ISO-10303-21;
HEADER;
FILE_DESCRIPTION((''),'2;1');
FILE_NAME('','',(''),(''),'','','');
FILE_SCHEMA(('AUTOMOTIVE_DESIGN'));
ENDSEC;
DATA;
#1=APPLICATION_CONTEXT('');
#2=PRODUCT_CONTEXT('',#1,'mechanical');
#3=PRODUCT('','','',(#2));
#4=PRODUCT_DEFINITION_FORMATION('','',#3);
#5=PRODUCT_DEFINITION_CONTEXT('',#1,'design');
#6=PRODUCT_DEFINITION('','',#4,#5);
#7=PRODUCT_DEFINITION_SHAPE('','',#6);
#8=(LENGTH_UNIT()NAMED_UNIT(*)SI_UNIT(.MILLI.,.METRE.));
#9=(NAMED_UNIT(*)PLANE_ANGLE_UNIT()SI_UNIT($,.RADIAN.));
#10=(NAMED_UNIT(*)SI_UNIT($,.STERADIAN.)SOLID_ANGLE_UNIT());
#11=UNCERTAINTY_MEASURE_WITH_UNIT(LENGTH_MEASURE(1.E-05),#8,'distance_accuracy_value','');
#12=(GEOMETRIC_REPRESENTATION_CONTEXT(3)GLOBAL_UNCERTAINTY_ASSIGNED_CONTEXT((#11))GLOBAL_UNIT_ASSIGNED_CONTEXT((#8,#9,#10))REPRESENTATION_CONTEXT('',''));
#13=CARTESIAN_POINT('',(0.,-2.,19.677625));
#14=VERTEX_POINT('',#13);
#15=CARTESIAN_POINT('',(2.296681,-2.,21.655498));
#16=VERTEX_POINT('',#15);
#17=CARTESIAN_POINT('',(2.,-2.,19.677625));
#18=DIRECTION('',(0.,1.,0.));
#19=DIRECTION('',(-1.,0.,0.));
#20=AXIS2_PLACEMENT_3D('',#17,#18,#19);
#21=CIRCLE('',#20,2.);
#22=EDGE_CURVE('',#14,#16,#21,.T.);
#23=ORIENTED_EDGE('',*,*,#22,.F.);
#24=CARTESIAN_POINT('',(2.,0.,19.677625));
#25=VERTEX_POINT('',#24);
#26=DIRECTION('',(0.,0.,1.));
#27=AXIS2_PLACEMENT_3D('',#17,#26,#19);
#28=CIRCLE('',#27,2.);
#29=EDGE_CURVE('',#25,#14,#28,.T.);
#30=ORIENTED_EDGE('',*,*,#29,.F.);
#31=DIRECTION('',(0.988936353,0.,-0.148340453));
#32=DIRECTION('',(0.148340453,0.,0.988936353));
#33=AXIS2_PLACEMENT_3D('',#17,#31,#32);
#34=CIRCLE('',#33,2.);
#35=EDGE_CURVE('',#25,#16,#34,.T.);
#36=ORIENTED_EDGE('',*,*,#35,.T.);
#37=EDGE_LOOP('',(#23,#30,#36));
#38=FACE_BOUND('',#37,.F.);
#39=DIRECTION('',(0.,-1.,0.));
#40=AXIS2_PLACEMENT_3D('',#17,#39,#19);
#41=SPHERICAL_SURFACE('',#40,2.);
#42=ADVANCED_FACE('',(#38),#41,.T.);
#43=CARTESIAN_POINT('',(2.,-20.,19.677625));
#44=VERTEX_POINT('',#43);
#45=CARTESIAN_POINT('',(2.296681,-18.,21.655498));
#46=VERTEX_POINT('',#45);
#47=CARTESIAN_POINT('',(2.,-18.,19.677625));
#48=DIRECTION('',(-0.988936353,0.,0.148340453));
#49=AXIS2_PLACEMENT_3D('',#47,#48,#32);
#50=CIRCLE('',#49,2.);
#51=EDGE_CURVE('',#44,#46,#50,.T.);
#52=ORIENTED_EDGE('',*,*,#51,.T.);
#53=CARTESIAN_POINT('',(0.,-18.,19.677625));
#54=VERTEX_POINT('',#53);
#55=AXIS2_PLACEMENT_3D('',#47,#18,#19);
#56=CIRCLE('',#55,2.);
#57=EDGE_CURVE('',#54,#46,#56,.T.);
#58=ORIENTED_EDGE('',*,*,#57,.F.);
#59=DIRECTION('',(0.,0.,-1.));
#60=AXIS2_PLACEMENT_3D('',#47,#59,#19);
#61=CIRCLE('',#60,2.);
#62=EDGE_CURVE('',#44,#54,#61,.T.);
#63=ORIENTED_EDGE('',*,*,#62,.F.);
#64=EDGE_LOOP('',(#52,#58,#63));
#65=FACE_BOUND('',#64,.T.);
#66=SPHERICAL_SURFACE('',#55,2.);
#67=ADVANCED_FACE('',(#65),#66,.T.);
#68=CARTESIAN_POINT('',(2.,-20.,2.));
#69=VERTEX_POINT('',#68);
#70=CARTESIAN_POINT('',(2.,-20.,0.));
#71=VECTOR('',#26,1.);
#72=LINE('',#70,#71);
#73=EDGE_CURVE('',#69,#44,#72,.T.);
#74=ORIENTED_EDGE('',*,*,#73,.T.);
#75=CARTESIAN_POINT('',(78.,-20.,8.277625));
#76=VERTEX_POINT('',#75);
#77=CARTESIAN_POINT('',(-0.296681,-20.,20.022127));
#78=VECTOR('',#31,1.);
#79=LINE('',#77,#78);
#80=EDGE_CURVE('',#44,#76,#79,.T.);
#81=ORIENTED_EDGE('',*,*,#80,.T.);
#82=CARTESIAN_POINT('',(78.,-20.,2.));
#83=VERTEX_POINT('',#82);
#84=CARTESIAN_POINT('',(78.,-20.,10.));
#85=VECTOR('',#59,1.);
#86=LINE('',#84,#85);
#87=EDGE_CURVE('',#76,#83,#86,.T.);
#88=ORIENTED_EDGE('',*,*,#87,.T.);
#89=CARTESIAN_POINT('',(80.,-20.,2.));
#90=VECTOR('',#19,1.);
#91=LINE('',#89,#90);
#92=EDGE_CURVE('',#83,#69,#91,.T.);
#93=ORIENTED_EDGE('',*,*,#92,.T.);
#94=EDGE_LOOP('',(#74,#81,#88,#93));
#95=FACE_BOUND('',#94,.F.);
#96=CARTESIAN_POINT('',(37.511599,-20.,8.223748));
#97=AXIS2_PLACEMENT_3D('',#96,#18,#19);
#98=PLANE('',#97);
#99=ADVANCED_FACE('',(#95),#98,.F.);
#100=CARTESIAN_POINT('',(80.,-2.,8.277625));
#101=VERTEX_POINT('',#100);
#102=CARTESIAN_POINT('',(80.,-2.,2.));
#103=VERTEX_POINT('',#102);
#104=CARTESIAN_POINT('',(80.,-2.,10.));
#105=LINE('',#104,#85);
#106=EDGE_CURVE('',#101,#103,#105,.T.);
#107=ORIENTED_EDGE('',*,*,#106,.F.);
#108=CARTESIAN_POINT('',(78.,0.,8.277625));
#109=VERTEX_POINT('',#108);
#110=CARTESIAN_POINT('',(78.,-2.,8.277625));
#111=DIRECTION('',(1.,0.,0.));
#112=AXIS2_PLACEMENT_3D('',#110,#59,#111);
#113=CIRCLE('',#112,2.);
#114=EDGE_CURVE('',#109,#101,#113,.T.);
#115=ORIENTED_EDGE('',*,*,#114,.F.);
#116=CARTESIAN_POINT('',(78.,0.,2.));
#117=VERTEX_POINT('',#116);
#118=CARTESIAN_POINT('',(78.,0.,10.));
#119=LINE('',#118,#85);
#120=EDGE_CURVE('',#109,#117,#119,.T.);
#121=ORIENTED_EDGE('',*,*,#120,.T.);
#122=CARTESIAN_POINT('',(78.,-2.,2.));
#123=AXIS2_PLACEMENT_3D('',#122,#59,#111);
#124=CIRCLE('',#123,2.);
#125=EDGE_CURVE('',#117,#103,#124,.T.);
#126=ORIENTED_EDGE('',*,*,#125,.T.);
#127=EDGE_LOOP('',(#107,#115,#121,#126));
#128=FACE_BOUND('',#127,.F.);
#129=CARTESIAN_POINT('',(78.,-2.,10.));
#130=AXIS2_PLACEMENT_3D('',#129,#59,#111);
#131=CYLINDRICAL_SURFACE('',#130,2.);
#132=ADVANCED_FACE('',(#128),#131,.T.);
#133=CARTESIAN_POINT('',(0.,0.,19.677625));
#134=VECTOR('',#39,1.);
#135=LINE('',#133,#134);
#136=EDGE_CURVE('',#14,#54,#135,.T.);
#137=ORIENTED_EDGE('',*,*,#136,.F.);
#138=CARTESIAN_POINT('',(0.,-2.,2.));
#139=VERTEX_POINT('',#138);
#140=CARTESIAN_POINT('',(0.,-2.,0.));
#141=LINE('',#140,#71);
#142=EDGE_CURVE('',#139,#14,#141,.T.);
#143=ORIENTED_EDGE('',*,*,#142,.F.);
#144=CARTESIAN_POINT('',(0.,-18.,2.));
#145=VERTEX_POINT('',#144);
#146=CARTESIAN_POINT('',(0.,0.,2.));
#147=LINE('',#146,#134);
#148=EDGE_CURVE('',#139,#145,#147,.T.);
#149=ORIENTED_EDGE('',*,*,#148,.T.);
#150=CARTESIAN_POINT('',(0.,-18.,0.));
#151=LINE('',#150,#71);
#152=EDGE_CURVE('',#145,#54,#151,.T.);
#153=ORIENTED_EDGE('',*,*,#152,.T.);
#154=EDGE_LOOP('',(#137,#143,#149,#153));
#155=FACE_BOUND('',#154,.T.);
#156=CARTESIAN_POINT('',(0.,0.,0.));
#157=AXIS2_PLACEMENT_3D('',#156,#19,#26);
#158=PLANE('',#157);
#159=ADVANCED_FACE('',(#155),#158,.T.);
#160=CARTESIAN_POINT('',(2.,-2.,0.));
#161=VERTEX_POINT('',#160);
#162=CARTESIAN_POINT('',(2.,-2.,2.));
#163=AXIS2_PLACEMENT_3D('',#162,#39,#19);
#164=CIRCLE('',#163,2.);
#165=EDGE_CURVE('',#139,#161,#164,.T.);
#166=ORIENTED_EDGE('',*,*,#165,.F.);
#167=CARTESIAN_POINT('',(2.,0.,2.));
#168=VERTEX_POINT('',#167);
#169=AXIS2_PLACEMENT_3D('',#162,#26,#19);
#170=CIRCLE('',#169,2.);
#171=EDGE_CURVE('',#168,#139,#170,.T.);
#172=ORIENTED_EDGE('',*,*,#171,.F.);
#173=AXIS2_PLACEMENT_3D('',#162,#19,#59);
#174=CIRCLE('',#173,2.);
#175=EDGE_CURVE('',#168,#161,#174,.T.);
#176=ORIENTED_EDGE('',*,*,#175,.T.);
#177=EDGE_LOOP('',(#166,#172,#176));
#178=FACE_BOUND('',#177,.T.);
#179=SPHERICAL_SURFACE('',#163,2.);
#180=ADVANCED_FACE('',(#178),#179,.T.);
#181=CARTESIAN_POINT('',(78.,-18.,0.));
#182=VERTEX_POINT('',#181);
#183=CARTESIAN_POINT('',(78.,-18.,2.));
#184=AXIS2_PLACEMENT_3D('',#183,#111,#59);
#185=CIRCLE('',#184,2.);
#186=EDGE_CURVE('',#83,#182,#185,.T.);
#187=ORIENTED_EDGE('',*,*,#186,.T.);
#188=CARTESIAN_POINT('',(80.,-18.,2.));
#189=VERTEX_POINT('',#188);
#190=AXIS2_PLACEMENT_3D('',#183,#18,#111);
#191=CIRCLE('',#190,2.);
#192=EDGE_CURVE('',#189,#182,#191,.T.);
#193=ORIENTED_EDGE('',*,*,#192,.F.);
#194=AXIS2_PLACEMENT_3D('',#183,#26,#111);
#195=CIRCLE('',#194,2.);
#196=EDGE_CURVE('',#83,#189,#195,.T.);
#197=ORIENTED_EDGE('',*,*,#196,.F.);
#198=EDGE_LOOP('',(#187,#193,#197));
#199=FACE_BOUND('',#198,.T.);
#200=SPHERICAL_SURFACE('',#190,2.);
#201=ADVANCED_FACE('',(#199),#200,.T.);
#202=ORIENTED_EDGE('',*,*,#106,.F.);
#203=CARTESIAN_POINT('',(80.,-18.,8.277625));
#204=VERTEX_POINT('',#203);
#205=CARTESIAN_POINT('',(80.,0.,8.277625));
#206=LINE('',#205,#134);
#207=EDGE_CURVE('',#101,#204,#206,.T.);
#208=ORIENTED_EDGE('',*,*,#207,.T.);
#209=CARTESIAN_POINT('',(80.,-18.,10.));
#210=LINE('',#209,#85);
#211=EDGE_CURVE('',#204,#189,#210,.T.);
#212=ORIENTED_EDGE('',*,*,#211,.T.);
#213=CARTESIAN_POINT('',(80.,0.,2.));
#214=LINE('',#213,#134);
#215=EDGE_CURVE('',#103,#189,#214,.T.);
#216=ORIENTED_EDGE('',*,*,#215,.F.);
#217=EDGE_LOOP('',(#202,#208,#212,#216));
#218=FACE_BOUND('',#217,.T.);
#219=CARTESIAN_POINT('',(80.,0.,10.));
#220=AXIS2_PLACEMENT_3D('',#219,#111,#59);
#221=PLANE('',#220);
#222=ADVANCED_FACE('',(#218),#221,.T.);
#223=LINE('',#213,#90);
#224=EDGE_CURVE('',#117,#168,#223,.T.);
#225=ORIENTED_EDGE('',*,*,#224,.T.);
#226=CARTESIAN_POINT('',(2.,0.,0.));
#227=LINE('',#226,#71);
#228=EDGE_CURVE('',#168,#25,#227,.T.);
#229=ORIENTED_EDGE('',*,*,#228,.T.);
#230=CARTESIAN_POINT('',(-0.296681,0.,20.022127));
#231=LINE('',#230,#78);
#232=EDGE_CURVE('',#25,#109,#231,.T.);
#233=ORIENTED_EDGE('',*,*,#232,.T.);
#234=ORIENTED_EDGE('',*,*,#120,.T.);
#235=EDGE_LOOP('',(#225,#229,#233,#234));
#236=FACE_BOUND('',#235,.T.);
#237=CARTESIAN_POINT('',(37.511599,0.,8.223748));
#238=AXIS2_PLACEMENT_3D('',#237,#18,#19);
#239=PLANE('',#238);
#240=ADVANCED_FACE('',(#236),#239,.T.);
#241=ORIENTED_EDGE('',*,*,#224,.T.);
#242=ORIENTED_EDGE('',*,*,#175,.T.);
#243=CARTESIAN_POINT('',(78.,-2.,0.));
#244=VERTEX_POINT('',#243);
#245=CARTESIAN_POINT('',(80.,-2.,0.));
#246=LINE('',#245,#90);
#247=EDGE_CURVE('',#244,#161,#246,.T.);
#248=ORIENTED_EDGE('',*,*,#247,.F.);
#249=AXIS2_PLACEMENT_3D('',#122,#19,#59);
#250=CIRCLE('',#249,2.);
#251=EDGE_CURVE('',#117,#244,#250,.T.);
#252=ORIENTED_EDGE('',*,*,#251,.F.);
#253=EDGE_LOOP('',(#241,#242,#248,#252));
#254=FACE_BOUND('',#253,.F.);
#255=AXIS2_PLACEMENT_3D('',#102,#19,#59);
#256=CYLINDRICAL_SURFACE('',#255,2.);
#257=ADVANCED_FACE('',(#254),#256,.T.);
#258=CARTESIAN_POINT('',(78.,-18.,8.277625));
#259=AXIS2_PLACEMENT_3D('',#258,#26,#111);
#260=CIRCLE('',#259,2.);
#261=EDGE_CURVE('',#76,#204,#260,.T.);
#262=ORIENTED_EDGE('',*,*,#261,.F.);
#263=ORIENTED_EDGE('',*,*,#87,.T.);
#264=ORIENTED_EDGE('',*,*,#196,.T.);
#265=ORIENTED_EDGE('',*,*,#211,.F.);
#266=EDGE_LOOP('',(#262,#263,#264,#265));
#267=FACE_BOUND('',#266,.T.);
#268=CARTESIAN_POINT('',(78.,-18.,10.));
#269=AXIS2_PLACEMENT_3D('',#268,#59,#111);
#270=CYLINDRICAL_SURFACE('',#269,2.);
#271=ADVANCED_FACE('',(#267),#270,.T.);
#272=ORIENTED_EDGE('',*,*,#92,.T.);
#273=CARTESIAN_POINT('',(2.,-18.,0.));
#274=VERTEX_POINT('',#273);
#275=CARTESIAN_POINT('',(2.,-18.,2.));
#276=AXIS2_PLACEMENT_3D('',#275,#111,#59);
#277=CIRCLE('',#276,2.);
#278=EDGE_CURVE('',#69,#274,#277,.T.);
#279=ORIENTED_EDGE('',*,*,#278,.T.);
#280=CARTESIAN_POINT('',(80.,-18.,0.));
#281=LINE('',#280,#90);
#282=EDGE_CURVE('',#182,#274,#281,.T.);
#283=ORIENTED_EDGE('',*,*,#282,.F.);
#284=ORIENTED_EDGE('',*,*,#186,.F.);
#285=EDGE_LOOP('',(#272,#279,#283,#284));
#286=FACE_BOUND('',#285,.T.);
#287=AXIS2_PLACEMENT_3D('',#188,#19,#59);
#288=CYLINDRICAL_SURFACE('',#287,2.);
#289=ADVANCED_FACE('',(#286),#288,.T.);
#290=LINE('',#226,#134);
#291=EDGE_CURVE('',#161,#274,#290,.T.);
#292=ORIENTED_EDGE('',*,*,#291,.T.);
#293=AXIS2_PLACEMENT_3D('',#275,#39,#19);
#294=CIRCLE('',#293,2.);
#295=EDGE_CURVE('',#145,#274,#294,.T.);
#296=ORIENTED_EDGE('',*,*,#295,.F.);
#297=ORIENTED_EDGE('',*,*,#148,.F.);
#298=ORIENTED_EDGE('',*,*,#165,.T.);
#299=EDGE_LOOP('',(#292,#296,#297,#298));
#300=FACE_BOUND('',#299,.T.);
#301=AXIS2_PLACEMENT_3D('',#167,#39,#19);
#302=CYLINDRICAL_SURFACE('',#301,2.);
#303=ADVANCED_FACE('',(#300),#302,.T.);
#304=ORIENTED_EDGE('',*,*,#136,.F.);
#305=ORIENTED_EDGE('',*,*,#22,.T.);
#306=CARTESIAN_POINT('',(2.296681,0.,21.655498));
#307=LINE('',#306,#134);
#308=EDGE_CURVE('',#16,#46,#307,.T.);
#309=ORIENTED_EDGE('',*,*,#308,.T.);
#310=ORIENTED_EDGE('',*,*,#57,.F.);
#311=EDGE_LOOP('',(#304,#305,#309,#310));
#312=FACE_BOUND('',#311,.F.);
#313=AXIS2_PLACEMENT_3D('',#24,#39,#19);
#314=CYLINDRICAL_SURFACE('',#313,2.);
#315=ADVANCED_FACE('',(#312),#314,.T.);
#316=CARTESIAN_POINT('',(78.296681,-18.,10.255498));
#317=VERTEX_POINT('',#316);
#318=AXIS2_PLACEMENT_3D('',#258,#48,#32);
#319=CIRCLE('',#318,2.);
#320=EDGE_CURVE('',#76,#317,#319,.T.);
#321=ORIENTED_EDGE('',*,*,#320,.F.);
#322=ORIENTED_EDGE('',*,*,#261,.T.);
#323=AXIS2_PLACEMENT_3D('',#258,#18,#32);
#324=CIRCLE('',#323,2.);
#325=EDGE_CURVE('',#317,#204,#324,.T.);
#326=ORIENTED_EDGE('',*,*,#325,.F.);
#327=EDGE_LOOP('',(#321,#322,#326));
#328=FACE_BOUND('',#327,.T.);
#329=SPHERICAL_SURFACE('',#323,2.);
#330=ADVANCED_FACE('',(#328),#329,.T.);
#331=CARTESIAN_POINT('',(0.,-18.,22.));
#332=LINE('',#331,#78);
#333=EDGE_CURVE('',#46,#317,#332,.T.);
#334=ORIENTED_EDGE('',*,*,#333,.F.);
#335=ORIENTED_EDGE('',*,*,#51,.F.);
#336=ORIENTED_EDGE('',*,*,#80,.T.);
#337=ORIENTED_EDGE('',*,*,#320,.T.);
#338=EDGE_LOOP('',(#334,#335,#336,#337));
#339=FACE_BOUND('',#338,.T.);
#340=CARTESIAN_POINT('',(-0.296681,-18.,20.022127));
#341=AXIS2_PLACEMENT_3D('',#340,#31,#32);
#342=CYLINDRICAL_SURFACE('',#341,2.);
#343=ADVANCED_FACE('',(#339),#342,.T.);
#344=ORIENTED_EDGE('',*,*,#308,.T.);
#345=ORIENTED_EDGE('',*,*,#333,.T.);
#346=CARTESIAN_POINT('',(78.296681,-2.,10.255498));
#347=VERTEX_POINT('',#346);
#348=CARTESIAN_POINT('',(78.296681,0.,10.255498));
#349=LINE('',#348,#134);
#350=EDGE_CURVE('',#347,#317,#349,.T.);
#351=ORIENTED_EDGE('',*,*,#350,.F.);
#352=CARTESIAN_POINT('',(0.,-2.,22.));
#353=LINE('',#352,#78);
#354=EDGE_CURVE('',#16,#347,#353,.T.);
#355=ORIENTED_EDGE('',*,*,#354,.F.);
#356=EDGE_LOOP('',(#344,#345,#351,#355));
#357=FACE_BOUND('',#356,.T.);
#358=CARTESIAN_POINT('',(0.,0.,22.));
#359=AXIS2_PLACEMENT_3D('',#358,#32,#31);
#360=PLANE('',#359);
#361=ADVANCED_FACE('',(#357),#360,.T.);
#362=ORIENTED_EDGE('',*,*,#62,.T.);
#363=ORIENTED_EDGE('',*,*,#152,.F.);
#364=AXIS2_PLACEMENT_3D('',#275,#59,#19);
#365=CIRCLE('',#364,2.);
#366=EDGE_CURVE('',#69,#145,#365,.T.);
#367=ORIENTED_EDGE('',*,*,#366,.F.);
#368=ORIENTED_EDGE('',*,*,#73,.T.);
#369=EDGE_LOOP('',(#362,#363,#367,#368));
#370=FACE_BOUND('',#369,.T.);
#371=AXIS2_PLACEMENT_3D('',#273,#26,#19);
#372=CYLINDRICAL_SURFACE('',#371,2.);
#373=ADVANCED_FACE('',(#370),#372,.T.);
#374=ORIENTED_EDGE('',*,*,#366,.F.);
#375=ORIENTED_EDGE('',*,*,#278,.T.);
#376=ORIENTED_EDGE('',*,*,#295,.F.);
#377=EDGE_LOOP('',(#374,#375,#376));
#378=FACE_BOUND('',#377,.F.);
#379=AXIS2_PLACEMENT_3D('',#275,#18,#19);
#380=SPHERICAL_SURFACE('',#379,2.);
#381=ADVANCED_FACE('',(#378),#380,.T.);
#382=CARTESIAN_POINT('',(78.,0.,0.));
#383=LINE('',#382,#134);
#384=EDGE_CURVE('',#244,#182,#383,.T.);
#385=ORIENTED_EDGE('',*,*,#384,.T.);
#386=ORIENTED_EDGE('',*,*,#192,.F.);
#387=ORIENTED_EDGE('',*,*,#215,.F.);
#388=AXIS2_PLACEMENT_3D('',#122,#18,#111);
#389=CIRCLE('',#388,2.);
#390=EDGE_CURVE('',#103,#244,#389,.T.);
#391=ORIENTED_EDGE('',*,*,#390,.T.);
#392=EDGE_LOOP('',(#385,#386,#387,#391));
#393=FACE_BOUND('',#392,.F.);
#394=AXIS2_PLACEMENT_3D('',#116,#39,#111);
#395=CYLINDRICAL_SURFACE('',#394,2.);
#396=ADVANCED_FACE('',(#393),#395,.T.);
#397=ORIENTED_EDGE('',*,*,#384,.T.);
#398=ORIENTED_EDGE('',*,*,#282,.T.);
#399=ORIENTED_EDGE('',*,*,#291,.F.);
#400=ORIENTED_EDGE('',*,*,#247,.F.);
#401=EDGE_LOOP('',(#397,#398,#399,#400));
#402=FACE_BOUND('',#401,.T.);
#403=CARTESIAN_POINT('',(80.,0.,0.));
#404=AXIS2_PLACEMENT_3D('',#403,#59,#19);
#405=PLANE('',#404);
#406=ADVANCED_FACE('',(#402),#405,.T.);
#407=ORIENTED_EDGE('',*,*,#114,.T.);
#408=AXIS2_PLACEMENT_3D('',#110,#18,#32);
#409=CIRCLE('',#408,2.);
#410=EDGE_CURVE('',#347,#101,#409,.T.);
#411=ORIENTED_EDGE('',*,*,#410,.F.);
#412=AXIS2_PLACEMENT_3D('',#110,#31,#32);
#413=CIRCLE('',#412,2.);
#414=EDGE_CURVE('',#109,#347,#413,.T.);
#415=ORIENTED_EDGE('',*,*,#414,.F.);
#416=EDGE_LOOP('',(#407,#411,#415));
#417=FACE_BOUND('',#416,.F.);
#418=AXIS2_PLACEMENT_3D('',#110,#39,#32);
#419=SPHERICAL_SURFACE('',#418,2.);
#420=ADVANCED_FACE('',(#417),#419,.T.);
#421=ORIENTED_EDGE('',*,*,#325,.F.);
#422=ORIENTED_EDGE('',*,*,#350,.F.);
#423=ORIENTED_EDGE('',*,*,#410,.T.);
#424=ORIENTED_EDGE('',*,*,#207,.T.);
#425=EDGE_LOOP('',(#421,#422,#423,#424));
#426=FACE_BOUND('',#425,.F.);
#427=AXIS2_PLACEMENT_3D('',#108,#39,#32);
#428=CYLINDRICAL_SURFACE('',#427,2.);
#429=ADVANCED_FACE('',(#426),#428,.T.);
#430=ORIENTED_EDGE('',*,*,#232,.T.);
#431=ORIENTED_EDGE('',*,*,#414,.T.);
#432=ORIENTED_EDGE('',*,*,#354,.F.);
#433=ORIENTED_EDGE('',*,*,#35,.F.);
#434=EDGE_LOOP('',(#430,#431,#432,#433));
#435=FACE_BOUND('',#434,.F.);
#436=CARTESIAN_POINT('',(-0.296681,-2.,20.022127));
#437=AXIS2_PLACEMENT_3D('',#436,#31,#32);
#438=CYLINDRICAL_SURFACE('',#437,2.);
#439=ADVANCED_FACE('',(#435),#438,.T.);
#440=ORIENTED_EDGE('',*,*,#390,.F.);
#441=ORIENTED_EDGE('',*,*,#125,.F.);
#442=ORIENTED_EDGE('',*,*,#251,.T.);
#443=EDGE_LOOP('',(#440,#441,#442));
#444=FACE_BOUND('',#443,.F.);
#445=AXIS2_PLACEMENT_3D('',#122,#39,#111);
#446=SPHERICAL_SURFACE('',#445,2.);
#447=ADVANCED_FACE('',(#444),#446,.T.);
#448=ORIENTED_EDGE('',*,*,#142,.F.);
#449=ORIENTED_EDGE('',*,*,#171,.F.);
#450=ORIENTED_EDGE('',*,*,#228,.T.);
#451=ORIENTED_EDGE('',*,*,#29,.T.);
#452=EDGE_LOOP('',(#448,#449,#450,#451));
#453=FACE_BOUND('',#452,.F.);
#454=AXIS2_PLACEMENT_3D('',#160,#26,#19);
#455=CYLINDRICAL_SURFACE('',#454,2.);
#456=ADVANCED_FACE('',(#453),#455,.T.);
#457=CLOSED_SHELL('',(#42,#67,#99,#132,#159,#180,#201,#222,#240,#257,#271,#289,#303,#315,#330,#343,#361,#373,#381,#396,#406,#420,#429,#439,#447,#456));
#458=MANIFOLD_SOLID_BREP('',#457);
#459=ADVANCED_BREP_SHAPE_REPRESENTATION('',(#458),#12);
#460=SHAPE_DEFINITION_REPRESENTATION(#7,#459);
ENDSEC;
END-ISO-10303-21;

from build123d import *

# Parameters (mm, degrees)
PAD_DEPTH = 20
FILLET_R  = 2


with BuildPart() as part:
    # Sketch → Pad (new body)
    with BuildSketch(Plane.XZ):
        Polygon((0, 0), (0, 22), (80, 10), (80, 0), align=None)
    extrude(amount=PAD_DEPTH)

    # Fillet
    fillet_edges = [part.edges().sort_by_distance(p)[0] for p in [
        (0, -10, 0),
        (0, -10, 22),
        (0, 0, 11),
        (0, -20, 11),
        (80, -10, 10),
        (40, 0, 16),
        (40, -20, 16),
        (80, -10, 0),
        (80, 0, 5),
        (80, -20, 5),
        (40, 0, 0),
        (40, -20, 0),
    ]]
    fillet(fillet_edges, radius=FILLET_R)


solid = part.part
